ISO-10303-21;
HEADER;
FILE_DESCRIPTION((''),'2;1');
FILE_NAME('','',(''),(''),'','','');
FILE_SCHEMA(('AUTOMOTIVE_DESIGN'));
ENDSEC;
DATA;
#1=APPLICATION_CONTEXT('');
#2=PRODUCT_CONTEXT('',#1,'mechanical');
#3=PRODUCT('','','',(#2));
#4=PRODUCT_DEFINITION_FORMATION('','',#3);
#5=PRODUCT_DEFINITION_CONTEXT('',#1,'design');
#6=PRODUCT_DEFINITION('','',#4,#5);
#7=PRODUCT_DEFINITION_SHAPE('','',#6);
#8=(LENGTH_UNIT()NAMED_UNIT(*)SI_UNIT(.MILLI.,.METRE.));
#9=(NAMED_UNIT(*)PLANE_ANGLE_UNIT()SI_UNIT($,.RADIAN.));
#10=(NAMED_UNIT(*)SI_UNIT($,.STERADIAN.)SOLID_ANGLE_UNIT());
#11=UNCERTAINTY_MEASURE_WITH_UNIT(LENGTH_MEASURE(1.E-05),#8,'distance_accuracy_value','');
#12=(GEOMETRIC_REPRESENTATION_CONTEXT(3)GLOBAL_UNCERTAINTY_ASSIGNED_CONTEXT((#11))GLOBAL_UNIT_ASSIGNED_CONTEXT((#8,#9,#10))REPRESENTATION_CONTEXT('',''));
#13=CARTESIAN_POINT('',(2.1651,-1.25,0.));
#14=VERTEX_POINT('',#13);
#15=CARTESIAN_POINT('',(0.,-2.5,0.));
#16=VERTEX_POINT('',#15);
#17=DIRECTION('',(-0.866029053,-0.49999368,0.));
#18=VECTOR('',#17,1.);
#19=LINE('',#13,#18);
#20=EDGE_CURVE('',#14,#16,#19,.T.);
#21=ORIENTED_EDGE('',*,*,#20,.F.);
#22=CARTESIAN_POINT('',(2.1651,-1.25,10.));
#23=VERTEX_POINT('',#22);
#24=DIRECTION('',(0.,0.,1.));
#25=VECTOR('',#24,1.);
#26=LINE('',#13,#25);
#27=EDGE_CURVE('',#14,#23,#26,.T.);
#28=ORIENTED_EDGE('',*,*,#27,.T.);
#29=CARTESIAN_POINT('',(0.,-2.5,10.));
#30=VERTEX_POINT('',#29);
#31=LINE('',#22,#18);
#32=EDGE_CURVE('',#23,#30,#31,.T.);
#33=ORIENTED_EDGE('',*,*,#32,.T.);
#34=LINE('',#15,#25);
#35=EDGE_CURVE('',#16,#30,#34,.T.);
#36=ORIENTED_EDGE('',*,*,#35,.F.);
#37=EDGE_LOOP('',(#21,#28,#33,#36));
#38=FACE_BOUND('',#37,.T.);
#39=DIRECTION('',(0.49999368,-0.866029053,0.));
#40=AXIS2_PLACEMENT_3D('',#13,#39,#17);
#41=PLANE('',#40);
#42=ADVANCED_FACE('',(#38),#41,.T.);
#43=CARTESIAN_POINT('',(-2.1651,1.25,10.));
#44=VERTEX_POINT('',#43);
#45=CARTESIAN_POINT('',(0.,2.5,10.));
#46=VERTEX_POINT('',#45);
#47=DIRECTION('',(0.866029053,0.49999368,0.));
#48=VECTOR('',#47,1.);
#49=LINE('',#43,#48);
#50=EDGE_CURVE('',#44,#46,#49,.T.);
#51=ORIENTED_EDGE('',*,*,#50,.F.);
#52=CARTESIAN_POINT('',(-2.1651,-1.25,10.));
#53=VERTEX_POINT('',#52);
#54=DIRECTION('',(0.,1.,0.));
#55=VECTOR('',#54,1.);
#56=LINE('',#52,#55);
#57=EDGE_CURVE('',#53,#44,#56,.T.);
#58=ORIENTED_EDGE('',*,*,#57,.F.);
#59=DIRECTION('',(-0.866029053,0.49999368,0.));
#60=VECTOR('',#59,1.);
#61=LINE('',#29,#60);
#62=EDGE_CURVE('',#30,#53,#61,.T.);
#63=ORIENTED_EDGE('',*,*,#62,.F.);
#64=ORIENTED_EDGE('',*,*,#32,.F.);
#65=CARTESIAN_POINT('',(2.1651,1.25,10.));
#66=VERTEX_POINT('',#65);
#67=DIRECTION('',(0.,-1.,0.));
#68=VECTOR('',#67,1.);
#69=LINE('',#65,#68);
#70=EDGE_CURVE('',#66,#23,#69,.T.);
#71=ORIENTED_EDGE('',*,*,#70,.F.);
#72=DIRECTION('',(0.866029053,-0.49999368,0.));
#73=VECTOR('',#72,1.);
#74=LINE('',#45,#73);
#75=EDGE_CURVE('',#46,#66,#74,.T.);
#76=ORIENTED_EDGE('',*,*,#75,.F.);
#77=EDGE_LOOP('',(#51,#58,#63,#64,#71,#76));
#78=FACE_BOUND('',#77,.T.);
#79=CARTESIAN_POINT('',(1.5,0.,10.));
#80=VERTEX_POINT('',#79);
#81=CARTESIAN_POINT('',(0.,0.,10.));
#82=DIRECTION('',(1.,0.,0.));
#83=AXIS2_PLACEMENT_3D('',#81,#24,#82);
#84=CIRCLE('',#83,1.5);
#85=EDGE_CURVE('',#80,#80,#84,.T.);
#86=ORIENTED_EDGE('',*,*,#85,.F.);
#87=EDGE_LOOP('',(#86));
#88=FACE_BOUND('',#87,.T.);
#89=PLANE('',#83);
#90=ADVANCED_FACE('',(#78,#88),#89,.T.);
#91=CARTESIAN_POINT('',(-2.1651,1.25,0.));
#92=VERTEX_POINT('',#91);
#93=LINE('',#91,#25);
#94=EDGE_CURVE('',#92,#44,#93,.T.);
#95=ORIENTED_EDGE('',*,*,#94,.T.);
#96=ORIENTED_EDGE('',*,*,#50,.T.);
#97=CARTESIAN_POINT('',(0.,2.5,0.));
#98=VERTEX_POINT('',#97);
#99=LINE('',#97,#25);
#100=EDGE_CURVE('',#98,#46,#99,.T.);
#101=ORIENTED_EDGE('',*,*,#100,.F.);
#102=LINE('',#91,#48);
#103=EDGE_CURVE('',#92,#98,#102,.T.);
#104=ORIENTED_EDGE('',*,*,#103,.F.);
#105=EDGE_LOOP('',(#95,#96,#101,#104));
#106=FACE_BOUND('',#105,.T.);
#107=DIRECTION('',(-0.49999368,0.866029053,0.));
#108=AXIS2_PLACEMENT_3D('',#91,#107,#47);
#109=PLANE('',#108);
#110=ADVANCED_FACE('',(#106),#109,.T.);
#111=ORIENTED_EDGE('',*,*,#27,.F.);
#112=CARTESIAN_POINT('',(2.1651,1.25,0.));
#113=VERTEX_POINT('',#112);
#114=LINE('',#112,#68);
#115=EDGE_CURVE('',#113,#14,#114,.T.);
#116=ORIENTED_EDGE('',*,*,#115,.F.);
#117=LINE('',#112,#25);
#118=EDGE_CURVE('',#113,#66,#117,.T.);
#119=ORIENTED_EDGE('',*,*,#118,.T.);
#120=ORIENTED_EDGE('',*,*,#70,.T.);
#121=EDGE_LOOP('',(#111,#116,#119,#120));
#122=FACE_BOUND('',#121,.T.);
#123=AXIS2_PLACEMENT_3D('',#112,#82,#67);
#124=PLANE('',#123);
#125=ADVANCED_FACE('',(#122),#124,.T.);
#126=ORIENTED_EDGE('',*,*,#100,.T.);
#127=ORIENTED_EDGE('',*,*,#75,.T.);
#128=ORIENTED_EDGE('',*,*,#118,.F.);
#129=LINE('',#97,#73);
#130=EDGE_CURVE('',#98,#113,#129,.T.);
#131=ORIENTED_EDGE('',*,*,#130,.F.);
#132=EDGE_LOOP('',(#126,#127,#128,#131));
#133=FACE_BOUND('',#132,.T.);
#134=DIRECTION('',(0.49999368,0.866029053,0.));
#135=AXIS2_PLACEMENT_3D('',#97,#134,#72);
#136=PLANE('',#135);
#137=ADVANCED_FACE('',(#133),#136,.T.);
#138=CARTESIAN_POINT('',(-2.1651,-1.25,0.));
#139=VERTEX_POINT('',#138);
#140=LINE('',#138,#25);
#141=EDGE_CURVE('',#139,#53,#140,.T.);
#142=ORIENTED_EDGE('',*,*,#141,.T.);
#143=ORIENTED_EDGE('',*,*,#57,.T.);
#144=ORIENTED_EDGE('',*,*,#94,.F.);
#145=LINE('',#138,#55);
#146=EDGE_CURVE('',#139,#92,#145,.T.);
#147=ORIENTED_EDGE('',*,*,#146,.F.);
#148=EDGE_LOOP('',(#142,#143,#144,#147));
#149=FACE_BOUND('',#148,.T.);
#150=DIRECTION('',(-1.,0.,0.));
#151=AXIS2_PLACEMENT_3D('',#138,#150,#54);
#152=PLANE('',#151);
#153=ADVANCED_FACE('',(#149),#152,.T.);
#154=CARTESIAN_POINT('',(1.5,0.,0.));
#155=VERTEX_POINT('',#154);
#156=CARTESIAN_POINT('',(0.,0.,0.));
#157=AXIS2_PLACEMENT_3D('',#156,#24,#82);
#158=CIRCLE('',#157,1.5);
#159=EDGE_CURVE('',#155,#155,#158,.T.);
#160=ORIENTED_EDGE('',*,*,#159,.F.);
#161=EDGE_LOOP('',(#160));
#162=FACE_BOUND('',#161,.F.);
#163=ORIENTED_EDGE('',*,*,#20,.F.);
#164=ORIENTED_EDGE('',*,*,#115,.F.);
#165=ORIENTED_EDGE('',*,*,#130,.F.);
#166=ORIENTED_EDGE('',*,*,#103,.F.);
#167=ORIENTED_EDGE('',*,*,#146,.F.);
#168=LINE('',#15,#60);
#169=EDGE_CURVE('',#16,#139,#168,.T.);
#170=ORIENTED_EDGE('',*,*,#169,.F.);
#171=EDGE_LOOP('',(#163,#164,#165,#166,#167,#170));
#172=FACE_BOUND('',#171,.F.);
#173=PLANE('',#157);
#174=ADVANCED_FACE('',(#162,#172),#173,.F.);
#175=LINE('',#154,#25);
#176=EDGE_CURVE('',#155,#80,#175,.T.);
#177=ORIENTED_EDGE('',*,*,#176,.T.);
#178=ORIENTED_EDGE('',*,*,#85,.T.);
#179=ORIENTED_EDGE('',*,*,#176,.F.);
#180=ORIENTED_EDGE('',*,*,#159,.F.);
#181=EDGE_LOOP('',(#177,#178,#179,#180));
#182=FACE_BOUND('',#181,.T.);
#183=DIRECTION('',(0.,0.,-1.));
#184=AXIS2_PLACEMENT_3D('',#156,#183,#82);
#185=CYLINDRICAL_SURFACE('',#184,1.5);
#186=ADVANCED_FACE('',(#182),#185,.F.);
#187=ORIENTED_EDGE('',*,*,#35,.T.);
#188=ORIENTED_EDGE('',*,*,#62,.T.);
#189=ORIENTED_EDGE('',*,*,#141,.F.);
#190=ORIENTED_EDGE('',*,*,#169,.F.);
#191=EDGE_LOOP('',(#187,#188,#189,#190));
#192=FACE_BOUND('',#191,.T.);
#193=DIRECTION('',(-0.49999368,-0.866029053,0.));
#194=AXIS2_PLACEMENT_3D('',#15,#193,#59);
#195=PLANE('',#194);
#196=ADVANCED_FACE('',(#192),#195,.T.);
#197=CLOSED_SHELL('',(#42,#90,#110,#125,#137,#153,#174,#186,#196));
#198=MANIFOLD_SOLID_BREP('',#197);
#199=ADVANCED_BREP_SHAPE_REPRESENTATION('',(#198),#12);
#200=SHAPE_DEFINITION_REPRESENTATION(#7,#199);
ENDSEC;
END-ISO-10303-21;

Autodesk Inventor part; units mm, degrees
ref_plane "YZ Plane" through (0, 0, 0) normal (1, 0, 0) x (0, 1, 0)
ref_plane "XZ Plane" through (0, 0, 0) normal (0, 1, 0) x (-1, 0, 0)
ref_plane "XY Plane" through (0, 0, 0) normal (0, 0, 1) x (1, 0, 0)
sketch "Эскиз1" plane through (0, 0, 0) normal (0, 0, 1) x (1, 0, 0)
  circle A0 centre (0, 0) radius 1.5
  circle A1 centre (0, 0) radius 2.5 construction
  line L0 (-2.1651, 1.25) -> (0, 2.5)
  line L1 (0, 2.5) -> (2.1651, 1.25)
  line L2 (2.1651, 1.25) -> (2.1651, -1.25)
  line L3 (2.1651, -1.25) -> (0, -2.5)
  line L4 (0, -2.5) -> (-2.1651, -1.25)
  line L5 (-2.1651, -1.25) -> (-2.1651, 1.25)
  dimension "d1" = 5
  dimension "d0" = 3
extrude "Выдавливание1" add sketch "Эскиз1" along normal blind 10
properties part number "стойка для платы 10мм" material "Латунь, мягкая, желтая"
